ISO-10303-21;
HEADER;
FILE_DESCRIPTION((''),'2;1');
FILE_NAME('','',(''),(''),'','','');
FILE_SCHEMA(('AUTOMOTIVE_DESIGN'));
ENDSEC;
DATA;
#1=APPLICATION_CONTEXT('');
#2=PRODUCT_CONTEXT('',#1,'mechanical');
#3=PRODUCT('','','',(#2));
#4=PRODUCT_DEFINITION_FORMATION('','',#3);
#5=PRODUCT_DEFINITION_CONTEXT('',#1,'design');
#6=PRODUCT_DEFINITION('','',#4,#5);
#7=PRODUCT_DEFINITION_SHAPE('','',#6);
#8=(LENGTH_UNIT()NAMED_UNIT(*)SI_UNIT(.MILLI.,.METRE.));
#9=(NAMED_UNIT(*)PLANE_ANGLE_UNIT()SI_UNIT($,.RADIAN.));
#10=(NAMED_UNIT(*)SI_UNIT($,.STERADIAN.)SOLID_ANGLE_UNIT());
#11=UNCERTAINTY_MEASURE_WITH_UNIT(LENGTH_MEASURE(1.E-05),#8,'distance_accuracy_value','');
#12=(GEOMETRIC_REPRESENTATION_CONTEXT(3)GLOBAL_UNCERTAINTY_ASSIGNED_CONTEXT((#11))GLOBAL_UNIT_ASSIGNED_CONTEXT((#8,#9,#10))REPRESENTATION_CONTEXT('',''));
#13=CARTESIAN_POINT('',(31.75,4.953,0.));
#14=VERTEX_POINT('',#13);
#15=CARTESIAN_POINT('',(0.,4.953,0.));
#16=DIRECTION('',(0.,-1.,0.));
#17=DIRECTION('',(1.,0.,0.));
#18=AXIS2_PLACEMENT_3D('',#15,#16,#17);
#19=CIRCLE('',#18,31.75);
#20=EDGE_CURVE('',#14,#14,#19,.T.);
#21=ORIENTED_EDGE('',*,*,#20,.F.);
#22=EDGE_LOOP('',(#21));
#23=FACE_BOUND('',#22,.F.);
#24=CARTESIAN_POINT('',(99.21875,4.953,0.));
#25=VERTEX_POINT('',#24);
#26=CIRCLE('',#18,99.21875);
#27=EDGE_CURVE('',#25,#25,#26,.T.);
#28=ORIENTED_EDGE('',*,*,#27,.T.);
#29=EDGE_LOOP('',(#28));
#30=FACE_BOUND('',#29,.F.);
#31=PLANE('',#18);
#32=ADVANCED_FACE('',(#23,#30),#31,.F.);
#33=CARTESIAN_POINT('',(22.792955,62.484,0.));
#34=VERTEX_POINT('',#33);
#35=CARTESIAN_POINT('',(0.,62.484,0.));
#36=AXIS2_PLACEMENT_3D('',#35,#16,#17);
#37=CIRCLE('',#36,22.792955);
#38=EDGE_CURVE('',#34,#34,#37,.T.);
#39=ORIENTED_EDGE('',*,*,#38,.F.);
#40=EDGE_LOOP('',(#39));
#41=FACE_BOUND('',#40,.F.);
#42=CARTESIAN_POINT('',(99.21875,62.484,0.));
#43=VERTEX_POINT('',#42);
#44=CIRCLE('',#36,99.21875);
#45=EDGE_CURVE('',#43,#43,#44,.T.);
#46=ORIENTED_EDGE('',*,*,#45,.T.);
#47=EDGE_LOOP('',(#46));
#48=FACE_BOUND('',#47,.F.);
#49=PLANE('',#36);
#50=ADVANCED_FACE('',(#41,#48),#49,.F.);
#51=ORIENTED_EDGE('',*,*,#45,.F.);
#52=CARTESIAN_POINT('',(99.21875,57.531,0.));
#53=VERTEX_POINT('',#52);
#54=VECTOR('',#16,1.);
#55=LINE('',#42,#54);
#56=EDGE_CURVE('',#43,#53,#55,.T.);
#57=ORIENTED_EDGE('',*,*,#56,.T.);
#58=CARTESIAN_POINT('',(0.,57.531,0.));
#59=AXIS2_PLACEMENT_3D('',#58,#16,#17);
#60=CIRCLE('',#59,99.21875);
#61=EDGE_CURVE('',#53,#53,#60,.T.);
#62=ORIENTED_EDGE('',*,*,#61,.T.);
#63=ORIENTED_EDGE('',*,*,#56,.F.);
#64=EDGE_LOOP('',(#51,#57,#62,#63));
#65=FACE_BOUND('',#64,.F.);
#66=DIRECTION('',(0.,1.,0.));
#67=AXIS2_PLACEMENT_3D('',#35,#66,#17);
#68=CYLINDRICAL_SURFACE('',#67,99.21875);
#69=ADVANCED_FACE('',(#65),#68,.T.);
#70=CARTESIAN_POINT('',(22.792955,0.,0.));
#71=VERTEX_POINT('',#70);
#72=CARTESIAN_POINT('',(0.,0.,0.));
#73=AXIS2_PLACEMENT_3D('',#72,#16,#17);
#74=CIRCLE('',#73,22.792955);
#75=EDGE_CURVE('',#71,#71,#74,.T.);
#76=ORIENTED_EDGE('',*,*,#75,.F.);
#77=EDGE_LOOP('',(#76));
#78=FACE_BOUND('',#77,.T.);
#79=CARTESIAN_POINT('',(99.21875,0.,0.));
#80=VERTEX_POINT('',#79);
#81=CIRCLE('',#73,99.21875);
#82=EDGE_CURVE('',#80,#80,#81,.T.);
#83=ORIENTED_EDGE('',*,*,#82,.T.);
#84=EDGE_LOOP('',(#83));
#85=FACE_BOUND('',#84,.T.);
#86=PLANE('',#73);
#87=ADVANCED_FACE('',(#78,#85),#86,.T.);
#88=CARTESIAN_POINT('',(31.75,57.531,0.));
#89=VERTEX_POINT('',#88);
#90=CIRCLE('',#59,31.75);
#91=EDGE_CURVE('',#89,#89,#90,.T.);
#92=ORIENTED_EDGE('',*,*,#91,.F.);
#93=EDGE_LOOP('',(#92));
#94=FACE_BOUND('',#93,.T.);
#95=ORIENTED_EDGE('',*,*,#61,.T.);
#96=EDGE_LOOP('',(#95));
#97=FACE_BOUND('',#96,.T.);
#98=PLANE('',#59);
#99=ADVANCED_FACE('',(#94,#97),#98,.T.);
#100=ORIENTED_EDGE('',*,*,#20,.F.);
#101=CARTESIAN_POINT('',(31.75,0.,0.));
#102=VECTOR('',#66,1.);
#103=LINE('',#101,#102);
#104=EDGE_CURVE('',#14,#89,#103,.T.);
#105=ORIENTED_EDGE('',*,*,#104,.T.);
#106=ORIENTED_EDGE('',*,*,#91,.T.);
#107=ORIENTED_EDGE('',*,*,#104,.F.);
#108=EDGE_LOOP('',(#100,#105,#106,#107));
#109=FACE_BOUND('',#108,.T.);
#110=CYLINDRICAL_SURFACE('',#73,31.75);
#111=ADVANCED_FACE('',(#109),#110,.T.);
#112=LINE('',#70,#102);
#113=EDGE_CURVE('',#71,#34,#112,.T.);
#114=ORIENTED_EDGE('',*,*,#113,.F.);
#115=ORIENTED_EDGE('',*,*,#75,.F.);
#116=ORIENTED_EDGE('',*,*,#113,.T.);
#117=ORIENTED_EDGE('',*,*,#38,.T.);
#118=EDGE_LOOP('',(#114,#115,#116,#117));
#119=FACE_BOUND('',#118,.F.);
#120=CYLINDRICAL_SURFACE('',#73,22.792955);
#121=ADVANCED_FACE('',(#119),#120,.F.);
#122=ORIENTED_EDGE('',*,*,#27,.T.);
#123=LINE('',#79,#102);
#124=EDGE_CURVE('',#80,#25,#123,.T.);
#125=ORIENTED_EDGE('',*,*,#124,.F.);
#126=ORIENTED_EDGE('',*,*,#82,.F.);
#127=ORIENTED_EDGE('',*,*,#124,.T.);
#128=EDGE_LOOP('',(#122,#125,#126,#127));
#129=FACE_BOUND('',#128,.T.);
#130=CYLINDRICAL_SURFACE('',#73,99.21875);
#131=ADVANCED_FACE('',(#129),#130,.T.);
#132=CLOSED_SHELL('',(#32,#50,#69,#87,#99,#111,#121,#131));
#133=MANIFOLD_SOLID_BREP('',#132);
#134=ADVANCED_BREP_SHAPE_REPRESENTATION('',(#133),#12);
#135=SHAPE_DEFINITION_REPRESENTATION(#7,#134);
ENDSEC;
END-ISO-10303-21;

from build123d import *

# Parameters (mm, degrees)
F0_R     = 99.21875
F1_DEPTH = 4.953
F4_R     = 31.75
F5_DEPTH = 62.23
F3_R     = 99.21875
F6_DEPTH = 4.953
F7_R     = 22.792955
F8_DEPTH = 62.485


with BuildPart() as f1:
    # F0 (on Front) → F1 (new body)
    with BuildSketch(Plane.XZ):
        Circle(F0_R)
    extrude(amount=-F1_DEPTH)

    # F4 (on face) → F5 (join)
    with BuildSketch(Plane.XZ):
        Circle(F4_R)
    extrude(amount=-F5_DEPTH)

    # F3 (on offset) → F6 (join)
    with BuildSketch(Plane.XZ.offset(-62.484)):
        Circle(F3_R)
    extrude(amount=F6_DEPTH)

    # F7 (on face) → F8 (cut, through all)
    with BuildSketch(Plane.XZ):
        Circle(F7_R)
    extrude(amount=-F8_DEPTH, mode=Mode.SUBTRACT)


solid = f1.part
